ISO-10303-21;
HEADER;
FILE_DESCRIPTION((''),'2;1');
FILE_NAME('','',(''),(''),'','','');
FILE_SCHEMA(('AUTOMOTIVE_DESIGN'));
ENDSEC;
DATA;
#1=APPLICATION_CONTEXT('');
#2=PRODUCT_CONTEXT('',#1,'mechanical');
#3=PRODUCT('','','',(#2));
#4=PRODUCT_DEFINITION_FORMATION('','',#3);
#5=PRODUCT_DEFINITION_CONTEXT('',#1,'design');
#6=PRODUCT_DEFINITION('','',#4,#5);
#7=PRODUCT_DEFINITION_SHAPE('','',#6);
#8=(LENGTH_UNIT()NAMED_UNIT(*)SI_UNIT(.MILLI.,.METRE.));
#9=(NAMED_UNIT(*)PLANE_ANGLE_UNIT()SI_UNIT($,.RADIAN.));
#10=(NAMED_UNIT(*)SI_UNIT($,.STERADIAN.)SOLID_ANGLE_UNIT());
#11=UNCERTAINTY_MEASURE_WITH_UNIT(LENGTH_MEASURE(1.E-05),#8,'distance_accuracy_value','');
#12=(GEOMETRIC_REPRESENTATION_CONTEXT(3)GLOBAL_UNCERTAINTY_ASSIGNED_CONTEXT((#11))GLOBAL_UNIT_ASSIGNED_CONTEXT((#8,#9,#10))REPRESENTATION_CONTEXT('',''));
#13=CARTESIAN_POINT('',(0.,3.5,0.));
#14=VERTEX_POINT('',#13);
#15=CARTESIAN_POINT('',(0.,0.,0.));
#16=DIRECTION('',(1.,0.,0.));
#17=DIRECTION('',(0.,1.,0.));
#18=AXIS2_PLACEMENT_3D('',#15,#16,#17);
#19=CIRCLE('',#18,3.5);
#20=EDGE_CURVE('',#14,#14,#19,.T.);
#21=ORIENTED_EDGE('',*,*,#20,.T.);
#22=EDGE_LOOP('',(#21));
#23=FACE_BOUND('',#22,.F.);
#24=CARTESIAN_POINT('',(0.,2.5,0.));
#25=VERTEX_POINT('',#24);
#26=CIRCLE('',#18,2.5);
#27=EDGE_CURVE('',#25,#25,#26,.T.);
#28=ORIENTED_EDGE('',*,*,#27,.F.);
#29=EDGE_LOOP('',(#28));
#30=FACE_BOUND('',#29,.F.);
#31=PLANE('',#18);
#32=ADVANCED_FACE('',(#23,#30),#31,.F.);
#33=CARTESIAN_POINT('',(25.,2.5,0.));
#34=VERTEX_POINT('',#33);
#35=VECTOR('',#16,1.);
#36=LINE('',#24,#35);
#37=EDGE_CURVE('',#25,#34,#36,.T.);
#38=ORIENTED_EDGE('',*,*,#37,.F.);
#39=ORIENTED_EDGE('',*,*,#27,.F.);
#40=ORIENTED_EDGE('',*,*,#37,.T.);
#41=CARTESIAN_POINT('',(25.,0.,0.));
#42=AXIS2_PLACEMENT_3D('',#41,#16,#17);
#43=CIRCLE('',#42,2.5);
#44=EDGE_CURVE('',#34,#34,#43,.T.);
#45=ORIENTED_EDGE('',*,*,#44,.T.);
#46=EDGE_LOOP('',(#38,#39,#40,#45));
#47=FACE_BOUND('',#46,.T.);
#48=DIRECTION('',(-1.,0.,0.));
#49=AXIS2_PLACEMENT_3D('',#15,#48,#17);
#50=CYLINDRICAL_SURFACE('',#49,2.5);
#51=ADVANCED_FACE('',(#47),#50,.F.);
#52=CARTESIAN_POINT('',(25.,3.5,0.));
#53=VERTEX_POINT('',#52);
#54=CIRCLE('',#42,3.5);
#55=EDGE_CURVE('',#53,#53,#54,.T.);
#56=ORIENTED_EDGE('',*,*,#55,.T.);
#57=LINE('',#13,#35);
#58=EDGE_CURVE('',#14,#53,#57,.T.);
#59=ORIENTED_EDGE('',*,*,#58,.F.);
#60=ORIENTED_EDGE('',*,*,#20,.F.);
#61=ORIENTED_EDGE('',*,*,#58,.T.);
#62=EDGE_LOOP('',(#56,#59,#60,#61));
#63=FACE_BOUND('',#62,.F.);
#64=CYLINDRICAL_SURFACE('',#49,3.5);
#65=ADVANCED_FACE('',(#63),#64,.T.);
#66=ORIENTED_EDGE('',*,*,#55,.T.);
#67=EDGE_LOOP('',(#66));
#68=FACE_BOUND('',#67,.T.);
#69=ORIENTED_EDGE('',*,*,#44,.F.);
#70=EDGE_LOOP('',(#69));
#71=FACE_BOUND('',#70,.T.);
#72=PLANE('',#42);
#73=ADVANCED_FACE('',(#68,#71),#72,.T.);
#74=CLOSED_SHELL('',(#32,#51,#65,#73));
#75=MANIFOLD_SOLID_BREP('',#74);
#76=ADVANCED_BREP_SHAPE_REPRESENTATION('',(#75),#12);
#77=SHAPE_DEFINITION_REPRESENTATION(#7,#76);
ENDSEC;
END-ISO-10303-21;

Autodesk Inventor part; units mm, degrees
ref_plane "YZ Plane" through (0, 0, 0) normal (1, 0, 0) x (0, 1, 0)
ref_plane "XZ Plane" through (0, 0, 0) normal (0, 1, 0) x (-1, 0, 0)
ref_plane "XY Plane" through (0, 0, 0) normal (0, 0, 1) x (1, 0, 0)
sketch "Sketch1" plane through (0, 0, 0) normal (1, 0, 0) x (0, 1, 0)
  circle A0 centre (0, 0) radius 3.5
  circle A1 centre (0, 0) radius 2.5
  dimension "d0" = 7
  dimension "d1" = 5
extrude "Extrusion1" add sketch "Sketch1" along normal blind 25
properties part number "Beaaring Holder Spaacer" material "Aluminum 6061"
